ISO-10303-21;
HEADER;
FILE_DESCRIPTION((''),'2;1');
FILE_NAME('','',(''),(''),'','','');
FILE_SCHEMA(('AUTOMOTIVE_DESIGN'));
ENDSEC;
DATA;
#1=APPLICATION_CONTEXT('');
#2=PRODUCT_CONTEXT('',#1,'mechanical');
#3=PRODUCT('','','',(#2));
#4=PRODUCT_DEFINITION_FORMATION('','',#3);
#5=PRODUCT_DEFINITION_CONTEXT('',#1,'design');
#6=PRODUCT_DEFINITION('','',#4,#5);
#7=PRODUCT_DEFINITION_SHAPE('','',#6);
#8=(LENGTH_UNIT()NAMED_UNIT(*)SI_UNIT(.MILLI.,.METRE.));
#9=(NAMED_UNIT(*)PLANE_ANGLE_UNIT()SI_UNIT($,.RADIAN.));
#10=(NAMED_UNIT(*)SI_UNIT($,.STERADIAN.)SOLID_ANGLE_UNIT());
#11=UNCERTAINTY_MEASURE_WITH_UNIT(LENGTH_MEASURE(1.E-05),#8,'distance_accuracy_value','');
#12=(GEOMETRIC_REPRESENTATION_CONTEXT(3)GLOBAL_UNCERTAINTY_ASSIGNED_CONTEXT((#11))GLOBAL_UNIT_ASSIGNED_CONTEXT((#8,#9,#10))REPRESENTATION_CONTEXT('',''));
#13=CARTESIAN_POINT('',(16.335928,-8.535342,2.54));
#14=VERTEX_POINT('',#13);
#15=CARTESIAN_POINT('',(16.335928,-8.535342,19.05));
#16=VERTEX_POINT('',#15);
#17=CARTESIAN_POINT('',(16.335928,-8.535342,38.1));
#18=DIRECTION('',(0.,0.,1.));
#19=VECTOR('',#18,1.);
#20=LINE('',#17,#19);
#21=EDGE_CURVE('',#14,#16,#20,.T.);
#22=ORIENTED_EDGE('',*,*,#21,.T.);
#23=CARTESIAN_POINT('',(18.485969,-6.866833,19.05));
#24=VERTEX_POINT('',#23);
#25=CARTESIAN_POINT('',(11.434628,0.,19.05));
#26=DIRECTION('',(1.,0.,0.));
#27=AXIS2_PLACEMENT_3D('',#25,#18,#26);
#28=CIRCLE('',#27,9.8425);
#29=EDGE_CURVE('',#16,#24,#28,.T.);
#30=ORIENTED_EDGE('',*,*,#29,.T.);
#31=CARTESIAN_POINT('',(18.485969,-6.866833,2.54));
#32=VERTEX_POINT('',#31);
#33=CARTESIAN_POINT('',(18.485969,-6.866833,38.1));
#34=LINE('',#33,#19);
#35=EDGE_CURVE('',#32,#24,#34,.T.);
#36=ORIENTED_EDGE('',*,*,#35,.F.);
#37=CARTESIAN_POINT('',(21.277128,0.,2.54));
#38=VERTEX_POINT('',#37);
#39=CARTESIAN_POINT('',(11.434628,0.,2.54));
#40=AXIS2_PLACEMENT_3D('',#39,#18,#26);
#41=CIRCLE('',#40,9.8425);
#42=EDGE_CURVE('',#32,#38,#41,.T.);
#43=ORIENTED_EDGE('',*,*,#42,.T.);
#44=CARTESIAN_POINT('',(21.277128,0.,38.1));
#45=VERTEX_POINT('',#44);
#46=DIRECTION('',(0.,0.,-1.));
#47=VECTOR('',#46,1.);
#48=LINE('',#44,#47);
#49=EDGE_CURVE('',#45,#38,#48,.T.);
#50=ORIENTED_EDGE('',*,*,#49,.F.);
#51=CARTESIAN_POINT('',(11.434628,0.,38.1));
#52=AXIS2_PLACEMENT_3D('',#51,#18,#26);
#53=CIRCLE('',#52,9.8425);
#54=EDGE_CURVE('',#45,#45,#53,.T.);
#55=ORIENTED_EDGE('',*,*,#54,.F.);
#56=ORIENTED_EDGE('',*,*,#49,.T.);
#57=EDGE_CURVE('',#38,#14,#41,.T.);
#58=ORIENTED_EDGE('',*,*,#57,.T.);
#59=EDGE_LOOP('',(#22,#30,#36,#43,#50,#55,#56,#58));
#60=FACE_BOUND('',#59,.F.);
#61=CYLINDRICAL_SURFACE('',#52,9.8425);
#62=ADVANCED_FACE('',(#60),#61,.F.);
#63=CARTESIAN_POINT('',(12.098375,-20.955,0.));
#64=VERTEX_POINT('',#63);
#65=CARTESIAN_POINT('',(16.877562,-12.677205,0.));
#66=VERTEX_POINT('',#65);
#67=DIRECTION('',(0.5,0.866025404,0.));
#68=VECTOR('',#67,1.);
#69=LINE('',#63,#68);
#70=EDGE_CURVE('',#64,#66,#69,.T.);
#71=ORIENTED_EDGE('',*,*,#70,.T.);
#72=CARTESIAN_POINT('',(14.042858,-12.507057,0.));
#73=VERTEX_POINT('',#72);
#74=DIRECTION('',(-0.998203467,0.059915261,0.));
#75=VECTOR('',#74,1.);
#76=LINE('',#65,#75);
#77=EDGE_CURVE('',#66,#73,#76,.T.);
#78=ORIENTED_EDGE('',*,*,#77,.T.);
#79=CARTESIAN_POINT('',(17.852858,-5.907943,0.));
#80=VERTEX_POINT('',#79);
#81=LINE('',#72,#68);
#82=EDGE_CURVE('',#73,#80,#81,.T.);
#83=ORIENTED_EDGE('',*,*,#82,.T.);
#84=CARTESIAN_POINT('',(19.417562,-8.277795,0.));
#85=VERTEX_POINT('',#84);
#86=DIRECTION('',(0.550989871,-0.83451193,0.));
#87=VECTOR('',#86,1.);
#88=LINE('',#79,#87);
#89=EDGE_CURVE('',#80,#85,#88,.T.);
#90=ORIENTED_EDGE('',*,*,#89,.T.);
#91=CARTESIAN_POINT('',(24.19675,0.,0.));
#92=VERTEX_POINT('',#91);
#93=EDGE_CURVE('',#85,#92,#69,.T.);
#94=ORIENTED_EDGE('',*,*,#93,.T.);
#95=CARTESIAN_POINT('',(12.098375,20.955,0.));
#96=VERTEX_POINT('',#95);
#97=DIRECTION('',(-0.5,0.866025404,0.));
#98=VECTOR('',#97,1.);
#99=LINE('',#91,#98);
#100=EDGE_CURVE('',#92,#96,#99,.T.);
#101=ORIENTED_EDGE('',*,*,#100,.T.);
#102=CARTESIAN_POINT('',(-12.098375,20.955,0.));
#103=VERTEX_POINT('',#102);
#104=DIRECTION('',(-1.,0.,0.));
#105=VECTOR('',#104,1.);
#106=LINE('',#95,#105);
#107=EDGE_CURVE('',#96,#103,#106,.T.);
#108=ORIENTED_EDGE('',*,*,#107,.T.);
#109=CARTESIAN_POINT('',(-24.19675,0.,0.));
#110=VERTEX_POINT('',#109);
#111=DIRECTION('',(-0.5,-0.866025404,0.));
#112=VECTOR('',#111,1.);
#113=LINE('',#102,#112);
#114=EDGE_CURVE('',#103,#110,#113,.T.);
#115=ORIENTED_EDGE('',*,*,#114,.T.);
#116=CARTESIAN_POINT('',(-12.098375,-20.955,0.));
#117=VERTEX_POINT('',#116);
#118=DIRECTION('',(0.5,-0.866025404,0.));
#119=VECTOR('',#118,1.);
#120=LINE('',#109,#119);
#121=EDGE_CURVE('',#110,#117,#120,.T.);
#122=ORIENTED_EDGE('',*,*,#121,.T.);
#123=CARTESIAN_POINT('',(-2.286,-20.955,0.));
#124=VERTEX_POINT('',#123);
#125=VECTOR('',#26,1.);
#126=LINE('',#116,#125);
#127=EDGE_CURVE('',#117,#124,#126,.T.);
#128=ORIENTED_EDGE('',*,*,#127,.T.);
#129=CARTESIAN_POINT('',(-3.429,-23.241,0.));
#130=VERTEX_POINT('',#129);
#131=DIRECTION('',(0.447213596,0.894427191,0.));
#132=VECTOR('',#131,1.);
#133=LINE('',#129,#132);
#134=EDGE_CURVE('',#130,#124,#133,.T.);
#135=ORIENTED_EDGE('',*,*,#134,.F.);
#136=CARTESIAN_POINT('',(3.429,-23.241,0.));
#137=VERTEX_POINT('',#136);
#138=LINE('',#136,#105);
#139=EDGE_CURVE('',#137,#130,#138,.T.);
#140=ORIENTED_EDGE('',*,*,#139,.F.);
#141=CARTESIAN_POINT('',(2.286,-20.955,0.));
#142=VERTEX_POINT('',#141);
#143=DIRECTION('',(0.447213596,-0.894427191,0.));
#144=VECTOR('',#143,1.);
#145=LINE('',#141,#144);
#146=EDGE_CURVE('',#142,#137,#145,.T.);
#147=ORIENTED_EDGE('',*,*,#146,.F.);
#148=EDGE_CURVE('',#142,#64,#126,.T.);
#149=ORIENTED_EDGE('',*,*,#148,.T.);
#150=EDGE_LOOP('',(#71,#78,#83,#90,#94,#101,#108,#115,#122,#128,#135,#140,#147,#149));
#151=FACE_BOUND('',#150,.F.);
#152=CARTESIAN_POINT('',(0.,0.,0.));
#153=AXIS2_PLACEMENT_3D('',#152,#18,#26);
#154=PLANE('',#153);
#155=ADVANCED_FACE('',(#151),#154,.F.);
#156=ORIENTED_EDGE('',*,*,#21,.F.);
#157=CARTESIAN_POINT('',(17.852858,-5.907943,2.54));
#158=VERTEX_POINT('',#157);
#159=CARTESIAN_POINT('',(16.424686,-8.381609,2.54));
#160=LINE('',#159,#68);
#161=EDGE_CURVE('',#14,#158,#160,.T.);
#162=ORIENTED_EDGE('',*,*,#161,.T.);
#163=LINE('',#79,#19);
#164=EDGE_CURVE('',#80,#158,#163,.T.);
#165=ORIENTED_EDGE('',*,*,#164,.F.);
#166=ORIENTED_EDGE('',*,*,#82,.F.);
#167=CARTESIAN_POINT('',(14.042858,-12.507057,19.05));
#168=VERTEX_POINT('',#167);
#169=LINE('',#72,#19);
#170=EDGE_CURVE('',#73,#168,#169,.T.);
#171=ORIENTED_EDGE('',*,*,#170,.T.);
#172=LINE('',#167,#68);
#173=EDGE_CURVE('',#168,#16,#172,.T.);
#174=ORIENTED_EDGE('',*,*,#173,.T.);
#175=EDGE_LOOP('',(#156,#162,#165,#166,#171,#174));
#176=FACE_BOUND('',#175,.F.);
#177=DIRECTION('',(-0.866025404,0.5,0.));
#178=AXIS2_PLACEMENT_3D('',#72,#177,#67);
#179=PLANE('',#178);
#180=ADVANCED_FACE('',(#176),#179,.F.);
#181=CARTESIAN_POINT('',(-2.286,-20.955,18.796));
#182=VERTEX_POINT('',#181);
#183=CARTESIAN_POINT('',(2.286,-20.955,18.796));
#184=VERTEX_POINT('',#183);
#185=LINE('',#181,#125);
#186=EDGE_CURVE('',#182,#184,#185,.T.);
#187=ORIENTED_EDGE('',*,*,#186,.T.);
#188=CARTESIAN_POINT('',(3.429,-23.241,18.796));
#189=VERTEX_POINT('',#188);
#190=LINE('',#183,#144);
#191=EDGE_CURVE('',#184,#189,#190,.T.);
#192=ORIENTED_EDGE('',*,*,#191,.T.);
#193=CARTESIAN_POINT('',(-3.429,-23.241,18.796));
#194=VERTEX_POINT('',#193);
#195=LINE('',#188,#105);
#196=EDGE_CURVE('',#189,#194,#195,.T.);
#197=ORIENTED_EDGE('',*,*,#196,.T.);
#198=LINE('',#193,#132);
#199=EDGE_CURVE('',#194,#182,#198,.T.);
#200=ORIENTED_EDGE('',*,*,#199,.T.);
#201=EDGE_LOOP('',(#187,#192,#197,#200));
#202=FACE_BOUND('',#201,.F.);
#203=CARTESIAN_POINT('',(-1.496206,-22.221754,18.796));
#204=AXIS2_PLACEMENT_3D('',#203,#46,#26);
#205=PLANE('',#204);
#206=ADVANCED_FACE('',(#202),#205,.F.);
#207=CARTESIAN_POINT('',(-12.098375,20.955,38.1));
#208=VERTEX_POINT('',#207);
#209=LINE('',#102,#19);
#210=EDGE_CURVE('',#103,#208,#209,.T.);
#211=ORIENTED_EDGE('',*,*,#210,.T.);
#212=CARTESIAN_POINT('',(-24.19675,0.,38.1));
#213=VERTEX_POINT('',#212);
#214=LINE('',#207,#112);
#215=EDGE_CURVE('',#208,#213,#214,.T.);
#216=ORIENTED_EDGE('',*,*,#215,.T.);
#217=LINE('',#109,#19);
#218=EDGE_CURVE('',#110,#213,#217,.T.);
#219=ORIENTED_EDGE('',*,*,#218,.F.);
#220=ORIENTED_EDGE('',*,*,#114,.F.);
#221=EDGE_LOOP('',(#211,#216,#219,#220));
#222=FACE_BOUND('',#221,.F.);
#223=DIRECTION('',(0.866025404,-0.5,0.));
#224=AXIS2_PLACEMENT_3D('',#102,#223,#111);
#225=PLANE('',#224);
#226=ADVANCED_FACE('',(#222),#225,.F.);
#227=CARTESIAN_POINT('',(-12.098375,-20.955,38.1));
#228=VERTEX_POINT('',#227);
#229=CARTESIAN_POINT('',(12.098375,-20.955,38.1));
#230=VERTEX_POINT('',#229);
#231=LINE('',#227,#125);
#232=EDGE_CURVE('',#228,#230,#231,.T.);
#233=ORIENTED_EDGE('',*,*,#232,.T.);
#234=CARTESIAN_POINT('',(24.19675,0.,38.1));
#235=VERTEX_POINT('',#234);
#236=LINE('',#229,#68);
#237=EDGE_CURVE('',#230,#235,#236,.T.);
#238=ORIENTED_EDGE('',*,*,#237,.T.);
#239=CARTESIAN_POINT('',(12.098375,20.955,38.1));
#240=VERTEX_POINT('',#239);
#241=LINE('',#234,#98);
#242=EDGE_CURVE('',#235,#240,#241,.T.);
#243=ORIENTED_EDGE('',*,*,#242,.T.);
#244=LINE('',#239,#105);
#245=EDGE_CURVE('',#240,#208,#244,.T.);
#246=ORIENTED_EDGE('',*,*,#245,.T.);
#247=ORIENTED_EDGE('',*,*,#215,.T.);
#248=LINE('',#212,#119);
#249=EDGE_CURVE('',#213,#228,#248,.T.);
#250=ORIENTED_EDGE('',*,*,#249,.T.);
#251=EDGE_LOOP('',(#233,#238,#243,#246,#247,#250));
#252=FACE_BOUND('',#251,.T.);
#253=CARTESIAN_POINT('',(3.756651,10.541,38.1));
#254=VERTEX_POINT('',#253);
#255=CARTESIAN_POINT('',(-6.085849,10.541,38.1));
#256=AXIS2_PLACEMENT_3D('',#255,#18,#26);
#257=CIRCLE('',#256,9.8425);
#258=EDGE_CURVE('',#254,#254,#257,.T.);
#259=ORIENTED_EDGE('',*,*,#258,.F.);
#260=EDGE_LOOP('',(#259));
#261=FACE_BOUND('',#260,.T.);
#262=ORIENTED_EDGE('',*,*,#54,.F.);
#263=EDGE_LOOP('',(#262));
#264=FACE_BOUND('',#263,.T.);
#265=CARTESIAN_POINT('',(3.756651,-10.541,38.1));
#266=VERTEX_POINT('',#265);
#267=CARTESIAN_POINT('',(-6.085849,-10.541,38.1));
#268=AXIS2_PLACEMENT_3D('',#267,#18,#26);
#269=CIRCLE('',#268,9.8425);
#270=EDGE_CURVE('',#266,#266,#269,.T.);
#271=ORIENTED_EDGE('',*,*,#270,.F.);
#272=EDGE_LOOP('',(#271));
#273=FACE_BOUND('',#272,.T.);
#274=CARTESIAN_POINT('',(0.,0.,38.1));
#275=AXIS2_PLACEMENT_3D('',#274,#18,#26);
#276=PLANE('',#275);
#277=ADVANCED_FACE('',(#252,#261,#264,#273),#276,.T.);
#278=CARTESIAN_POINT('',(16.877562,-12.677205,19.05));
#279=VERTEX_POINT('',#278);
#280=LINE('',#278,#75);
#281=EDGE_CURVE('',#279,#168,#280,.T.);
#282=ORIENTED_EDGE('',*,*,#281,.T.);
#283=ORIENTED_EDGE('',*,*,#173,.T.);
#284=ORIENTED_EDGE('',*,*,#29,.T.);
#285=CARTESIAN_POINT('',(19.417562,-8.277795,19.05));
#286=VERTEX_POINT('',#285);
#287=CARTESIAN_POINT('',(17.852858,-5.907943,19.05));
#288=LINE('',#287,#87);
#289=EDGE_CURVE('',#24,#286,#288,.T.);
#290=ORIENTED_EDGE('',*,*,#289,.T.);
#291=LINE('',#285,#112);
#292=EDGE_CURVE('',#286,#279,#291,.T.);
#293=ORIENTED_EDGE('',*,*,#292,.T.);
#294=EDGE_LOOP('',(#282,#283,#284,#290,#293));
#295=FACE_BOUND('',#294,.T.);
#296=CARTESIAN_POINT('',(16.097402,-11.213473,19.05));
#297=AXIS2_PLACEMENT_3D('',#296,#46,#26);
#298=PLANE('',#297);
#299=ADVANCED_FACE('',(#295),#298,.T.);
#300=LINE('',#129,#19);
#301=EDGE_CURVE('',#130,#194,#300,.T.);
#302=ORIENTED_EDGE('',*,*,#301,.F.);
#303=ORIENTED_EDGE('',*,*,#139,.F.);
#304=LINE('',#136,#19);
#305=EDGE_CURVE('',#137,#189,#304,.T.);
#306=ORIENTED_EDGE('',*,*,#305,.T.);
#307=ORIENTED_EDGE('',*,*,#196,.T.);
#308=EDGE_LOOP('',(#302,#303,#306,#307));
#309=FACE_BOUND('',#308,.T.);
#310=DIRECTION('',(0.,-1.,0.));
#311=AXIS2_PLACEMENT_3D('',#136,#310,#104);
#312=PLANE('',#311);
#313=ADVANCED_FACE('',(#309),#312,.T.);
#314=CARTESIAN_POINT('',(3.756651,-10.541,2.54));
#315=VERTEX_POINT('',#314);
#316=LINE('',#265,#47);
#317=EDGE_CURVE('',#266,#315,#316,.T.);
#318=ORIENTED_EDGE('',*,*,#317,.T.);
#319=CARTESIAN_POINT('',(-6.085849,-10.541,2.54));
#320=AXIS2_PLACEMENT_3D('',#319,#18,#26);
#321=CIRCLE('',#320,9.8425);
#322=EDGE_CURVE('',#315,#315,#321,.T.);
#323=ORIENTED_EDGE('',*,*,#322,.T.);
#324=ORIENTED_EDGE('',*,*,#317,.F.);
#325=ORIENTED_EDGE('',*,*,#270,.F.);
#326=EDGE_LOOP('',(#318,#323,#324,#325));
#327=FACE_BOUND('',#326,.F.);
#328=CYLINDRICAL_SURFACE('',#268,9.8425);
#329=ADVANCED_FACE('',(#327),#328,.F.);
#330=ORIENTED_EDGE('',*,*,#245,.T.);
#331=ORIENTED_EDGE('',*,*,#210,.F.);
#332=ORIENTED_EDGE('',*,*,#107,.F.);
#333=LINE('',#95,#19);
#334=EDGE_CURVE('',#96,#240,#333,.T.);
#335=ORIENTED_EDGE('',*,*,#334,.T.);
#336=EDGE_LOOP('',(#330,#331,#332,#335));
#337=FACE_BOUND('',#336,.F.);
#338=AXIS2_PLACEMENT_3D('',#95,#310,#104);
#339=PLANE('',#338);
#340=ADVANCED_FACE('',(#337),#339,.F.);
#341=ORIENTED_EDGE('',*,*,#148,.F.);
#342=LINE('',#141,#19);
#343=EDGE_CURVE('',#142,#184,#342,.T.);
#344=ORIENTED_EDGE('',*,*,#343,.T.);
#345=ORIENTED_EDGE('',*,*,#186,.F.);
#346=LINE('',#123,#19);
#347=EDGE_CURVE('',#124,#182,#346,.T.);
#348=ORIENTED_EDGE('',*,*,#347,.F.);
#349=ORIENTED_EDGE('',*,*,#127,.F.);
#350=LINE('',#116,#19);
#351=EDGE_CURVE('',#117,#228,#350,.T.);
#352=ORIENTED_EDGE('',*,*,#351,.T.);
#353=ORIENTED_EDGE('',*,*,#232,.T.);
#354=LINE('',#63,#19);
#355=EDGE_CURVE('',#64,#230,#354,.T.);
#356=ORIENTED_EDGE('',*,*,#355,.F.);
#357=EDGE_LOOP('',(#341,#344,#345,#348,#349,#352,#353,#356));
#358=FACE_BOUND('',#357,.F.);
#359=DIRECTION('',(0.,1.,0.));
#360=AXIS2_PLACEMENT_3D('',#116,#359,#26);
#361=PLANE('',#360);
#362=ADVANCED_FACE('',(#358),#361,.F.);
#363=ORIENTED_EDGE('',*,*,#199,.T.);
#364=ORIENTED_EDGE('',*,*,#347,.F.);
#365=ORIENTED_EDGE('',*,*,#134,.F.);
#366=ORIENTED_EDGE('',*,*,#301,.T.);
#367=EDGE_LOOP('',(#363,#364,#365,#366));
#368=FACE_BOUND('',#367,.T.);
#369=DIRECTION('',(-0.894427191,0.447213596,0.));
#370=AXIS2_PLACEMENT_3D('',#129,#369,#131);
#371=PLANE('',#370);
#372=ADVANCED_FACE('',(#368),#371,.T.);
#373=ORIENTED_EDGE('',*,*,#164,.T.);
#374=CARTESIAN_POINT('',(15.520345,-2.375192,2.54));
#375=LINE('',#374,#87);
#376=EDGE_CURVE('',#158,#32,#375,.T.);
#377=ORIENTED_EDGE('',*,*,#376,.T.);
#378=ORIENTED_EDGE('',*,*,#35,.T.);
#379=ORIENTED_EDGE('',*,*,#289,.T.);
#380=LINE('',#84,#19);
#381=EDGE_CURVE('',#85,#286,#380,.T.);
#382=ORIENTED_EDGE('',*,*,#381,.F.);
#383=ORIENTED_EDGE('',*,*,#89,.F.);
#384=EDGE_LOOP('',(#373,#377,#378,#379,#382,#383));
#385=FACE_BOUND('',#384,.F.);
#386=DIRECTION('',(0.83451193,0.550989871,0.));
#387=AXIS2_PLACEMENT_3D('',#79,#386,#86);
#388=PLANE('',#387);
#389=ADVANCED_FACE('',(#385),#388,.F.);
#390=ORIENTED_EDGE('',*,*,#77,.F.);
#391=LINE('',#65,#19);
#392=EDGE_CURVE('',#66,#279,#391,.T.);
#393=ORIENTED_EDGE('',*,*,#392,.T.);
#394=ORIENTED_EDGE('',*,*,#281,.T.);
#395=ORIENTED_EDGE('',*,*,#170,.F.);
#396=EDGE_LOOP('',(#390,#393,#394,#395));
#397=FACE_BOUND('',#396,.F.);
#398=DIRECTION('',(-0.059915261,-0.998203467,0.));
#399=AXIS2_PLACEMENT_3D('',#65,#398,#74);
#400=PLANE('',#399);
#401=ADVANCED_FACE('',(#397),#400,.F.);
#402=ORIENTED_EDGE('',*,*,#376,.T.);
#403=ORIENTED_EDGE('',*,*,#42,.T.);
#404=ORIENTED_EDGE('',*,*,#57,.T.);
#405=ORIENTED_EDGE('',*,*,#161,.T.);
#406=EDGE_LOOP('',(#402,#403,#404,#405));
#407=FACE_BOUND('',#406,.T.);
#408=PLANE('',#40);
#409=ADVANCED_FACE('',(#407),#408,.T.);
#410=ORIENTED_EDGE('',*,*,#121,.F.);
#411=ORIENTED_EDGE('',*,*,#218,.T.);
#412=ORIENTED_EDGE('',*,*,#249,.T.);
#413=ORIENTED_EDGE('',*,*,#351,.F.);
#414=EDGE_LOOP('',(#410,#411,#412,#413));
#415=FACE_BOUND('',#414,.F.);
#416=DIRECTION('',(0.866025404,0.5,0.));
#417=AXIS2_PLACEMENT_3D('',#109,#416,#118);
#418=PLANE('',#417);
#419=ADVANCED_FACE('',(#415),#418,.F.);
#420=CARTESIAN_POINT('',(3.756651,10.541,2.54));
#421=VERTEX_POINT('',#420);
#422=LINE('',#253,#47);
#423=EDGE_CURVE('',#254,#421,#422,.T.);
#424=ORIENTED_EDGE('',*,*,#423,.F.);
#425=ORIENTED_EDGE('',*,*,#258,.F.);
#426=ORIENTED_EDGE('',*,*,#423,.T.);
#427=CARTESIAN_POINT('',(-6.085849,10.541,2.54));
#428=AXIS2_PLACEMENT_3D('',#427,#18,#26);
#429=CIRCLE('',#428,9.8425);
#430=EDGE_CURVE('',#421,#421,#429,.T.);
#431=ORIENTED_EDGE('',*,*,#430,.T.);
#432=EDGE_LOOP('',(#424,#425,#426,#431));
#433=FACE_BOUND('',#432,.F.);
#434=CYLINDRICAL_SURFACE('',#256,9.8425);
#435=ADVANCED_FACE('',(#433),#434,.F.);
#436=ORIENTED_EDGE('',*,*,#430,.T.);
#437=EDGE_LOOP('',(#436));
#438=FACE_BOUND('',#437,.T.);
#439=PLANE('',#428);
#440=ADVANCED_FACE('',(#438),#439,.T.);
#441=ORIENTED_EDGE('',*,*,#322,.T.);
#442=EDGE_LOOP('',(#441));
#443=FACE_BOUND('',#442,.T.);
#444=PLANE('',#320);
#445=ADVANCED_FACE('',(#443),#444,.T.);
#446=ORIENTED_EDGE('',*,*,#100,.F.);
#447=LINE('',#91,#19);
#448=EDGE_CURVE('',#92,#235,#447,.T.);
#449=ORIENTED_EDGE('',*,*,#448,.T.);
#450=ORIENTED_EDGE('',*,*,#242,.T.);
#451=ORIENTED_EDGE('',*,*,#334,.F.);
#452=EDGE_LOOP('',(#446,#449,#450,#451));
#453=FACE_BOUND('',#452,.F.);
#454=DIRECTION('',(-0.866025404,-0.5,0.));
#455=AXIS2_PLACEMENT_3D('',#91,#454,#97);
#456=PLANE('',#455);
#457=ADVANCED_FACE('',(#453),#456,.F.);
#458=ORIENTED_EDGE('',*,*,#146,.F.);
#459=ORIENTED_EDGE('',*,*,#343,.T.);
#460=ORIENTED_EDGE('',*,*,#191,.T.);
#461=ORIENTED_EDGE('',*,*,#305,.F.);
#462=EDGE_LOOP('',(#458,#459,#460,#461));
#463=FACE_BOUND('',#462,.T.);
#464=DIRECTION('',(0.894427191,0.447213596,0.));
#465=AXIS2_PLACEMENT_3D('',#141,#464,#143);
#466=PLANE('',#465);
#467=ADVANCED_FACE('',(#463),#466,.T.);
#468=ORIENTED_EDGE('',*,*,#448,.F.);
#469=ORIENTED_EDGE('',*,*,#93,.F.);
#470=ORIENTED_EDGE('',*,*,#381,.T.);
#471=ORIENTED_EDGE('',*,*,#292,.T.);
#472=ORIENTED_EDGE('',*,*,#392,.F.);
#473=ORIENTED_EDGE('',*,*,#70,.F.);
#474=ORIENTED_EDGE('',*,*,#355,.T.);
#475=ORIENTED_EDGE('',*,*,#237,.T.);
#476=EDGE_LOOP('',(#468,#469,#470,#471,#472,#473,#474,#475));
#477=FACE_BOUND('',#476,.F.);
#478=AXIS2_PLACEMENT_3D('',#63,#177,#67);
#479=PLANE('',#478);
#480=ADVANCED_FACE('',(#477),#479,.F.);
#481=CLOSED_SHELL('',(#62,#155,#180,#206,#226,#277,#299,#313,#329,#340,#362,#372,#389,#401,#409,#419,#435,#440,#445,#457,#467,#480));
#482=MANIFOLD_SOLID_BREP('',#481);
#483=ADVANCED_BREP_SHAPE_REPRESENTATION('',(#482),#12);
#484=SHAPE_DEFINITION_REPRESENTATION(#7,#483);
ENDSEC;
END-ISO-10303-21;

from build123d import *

# Parameters (mm, degrees)
F1_DEPTH = 38.1
F3_DEPTH = 18.796
F5_DEPTH = 19.05
F6_R     = 9.8425
F7_DEPTH = 35.56


with BuildPart() as f1:
    # F0 (on Top) → F1 (new body)
    with BuildSketch(Plane.XY):
        Polygon((-12.0983748909, -20.955), (12.0983748909, -20.955), (24.1967497817, 0), (12.0983748909, 20.955), (-12.0983748909, 20.955), (-24.1967497817, 0), align=None)
    extrude(amount=F1_DEPTH)

    # F2 (on face) → F3 (join)
    with BuildSketch(Plane(origin=(0, 0, 0), x_dir=(1, 0, 0), z_dir=(0, 0, -1))):
        Polygon((-2.286, 20.955), (0, 20.955), (0, 23.241), (-3.429, 23.241), align=None)
        Polygon((0, 23.241), (0, 20.955), (2.286, 20.955), (3.429, 23.241), align=None)
    extrude(amount=-F3_DEPTH)

    # F4 (on face) → F5 (cut)
    with BuildSketch(Plane(origin=(0, 0, 0), x_dir=(1, 0, 0), z_dir=(0, 0, -1))):
        Polygon((15.9478578107, 9.2075), (18.1475623363, 10.4775), (16.8775623363, 12.6772045256), (14.0428578107, 12.5070567884), align=None)
        Polygon((19.4175623363, 8.2777954744), (18.1475623363, 10.4775), (15.9478578107, 9.2075), (17.8528578107, 5.9079432116), align=None)
    extrude(amount=-F5_DEPTH, mode=Mode.SUBTRACT)

    # F6 (on face) → F7 (cut)
    with BuildSketch(Plane.XY.offset(38.1)):
        with Locations((-6.0858491875, -10.541)):
            Circle(F6_R)
        with Locations((-6.0858491875, 10.541)):
            Circle(F6_R)
        with Locations((11.4346282032, 0)):
            Circle(F6_R)
    extrude(amount=-F7_DEPTH, mode=Mode.SUBTRACT)


solid = f1.part
